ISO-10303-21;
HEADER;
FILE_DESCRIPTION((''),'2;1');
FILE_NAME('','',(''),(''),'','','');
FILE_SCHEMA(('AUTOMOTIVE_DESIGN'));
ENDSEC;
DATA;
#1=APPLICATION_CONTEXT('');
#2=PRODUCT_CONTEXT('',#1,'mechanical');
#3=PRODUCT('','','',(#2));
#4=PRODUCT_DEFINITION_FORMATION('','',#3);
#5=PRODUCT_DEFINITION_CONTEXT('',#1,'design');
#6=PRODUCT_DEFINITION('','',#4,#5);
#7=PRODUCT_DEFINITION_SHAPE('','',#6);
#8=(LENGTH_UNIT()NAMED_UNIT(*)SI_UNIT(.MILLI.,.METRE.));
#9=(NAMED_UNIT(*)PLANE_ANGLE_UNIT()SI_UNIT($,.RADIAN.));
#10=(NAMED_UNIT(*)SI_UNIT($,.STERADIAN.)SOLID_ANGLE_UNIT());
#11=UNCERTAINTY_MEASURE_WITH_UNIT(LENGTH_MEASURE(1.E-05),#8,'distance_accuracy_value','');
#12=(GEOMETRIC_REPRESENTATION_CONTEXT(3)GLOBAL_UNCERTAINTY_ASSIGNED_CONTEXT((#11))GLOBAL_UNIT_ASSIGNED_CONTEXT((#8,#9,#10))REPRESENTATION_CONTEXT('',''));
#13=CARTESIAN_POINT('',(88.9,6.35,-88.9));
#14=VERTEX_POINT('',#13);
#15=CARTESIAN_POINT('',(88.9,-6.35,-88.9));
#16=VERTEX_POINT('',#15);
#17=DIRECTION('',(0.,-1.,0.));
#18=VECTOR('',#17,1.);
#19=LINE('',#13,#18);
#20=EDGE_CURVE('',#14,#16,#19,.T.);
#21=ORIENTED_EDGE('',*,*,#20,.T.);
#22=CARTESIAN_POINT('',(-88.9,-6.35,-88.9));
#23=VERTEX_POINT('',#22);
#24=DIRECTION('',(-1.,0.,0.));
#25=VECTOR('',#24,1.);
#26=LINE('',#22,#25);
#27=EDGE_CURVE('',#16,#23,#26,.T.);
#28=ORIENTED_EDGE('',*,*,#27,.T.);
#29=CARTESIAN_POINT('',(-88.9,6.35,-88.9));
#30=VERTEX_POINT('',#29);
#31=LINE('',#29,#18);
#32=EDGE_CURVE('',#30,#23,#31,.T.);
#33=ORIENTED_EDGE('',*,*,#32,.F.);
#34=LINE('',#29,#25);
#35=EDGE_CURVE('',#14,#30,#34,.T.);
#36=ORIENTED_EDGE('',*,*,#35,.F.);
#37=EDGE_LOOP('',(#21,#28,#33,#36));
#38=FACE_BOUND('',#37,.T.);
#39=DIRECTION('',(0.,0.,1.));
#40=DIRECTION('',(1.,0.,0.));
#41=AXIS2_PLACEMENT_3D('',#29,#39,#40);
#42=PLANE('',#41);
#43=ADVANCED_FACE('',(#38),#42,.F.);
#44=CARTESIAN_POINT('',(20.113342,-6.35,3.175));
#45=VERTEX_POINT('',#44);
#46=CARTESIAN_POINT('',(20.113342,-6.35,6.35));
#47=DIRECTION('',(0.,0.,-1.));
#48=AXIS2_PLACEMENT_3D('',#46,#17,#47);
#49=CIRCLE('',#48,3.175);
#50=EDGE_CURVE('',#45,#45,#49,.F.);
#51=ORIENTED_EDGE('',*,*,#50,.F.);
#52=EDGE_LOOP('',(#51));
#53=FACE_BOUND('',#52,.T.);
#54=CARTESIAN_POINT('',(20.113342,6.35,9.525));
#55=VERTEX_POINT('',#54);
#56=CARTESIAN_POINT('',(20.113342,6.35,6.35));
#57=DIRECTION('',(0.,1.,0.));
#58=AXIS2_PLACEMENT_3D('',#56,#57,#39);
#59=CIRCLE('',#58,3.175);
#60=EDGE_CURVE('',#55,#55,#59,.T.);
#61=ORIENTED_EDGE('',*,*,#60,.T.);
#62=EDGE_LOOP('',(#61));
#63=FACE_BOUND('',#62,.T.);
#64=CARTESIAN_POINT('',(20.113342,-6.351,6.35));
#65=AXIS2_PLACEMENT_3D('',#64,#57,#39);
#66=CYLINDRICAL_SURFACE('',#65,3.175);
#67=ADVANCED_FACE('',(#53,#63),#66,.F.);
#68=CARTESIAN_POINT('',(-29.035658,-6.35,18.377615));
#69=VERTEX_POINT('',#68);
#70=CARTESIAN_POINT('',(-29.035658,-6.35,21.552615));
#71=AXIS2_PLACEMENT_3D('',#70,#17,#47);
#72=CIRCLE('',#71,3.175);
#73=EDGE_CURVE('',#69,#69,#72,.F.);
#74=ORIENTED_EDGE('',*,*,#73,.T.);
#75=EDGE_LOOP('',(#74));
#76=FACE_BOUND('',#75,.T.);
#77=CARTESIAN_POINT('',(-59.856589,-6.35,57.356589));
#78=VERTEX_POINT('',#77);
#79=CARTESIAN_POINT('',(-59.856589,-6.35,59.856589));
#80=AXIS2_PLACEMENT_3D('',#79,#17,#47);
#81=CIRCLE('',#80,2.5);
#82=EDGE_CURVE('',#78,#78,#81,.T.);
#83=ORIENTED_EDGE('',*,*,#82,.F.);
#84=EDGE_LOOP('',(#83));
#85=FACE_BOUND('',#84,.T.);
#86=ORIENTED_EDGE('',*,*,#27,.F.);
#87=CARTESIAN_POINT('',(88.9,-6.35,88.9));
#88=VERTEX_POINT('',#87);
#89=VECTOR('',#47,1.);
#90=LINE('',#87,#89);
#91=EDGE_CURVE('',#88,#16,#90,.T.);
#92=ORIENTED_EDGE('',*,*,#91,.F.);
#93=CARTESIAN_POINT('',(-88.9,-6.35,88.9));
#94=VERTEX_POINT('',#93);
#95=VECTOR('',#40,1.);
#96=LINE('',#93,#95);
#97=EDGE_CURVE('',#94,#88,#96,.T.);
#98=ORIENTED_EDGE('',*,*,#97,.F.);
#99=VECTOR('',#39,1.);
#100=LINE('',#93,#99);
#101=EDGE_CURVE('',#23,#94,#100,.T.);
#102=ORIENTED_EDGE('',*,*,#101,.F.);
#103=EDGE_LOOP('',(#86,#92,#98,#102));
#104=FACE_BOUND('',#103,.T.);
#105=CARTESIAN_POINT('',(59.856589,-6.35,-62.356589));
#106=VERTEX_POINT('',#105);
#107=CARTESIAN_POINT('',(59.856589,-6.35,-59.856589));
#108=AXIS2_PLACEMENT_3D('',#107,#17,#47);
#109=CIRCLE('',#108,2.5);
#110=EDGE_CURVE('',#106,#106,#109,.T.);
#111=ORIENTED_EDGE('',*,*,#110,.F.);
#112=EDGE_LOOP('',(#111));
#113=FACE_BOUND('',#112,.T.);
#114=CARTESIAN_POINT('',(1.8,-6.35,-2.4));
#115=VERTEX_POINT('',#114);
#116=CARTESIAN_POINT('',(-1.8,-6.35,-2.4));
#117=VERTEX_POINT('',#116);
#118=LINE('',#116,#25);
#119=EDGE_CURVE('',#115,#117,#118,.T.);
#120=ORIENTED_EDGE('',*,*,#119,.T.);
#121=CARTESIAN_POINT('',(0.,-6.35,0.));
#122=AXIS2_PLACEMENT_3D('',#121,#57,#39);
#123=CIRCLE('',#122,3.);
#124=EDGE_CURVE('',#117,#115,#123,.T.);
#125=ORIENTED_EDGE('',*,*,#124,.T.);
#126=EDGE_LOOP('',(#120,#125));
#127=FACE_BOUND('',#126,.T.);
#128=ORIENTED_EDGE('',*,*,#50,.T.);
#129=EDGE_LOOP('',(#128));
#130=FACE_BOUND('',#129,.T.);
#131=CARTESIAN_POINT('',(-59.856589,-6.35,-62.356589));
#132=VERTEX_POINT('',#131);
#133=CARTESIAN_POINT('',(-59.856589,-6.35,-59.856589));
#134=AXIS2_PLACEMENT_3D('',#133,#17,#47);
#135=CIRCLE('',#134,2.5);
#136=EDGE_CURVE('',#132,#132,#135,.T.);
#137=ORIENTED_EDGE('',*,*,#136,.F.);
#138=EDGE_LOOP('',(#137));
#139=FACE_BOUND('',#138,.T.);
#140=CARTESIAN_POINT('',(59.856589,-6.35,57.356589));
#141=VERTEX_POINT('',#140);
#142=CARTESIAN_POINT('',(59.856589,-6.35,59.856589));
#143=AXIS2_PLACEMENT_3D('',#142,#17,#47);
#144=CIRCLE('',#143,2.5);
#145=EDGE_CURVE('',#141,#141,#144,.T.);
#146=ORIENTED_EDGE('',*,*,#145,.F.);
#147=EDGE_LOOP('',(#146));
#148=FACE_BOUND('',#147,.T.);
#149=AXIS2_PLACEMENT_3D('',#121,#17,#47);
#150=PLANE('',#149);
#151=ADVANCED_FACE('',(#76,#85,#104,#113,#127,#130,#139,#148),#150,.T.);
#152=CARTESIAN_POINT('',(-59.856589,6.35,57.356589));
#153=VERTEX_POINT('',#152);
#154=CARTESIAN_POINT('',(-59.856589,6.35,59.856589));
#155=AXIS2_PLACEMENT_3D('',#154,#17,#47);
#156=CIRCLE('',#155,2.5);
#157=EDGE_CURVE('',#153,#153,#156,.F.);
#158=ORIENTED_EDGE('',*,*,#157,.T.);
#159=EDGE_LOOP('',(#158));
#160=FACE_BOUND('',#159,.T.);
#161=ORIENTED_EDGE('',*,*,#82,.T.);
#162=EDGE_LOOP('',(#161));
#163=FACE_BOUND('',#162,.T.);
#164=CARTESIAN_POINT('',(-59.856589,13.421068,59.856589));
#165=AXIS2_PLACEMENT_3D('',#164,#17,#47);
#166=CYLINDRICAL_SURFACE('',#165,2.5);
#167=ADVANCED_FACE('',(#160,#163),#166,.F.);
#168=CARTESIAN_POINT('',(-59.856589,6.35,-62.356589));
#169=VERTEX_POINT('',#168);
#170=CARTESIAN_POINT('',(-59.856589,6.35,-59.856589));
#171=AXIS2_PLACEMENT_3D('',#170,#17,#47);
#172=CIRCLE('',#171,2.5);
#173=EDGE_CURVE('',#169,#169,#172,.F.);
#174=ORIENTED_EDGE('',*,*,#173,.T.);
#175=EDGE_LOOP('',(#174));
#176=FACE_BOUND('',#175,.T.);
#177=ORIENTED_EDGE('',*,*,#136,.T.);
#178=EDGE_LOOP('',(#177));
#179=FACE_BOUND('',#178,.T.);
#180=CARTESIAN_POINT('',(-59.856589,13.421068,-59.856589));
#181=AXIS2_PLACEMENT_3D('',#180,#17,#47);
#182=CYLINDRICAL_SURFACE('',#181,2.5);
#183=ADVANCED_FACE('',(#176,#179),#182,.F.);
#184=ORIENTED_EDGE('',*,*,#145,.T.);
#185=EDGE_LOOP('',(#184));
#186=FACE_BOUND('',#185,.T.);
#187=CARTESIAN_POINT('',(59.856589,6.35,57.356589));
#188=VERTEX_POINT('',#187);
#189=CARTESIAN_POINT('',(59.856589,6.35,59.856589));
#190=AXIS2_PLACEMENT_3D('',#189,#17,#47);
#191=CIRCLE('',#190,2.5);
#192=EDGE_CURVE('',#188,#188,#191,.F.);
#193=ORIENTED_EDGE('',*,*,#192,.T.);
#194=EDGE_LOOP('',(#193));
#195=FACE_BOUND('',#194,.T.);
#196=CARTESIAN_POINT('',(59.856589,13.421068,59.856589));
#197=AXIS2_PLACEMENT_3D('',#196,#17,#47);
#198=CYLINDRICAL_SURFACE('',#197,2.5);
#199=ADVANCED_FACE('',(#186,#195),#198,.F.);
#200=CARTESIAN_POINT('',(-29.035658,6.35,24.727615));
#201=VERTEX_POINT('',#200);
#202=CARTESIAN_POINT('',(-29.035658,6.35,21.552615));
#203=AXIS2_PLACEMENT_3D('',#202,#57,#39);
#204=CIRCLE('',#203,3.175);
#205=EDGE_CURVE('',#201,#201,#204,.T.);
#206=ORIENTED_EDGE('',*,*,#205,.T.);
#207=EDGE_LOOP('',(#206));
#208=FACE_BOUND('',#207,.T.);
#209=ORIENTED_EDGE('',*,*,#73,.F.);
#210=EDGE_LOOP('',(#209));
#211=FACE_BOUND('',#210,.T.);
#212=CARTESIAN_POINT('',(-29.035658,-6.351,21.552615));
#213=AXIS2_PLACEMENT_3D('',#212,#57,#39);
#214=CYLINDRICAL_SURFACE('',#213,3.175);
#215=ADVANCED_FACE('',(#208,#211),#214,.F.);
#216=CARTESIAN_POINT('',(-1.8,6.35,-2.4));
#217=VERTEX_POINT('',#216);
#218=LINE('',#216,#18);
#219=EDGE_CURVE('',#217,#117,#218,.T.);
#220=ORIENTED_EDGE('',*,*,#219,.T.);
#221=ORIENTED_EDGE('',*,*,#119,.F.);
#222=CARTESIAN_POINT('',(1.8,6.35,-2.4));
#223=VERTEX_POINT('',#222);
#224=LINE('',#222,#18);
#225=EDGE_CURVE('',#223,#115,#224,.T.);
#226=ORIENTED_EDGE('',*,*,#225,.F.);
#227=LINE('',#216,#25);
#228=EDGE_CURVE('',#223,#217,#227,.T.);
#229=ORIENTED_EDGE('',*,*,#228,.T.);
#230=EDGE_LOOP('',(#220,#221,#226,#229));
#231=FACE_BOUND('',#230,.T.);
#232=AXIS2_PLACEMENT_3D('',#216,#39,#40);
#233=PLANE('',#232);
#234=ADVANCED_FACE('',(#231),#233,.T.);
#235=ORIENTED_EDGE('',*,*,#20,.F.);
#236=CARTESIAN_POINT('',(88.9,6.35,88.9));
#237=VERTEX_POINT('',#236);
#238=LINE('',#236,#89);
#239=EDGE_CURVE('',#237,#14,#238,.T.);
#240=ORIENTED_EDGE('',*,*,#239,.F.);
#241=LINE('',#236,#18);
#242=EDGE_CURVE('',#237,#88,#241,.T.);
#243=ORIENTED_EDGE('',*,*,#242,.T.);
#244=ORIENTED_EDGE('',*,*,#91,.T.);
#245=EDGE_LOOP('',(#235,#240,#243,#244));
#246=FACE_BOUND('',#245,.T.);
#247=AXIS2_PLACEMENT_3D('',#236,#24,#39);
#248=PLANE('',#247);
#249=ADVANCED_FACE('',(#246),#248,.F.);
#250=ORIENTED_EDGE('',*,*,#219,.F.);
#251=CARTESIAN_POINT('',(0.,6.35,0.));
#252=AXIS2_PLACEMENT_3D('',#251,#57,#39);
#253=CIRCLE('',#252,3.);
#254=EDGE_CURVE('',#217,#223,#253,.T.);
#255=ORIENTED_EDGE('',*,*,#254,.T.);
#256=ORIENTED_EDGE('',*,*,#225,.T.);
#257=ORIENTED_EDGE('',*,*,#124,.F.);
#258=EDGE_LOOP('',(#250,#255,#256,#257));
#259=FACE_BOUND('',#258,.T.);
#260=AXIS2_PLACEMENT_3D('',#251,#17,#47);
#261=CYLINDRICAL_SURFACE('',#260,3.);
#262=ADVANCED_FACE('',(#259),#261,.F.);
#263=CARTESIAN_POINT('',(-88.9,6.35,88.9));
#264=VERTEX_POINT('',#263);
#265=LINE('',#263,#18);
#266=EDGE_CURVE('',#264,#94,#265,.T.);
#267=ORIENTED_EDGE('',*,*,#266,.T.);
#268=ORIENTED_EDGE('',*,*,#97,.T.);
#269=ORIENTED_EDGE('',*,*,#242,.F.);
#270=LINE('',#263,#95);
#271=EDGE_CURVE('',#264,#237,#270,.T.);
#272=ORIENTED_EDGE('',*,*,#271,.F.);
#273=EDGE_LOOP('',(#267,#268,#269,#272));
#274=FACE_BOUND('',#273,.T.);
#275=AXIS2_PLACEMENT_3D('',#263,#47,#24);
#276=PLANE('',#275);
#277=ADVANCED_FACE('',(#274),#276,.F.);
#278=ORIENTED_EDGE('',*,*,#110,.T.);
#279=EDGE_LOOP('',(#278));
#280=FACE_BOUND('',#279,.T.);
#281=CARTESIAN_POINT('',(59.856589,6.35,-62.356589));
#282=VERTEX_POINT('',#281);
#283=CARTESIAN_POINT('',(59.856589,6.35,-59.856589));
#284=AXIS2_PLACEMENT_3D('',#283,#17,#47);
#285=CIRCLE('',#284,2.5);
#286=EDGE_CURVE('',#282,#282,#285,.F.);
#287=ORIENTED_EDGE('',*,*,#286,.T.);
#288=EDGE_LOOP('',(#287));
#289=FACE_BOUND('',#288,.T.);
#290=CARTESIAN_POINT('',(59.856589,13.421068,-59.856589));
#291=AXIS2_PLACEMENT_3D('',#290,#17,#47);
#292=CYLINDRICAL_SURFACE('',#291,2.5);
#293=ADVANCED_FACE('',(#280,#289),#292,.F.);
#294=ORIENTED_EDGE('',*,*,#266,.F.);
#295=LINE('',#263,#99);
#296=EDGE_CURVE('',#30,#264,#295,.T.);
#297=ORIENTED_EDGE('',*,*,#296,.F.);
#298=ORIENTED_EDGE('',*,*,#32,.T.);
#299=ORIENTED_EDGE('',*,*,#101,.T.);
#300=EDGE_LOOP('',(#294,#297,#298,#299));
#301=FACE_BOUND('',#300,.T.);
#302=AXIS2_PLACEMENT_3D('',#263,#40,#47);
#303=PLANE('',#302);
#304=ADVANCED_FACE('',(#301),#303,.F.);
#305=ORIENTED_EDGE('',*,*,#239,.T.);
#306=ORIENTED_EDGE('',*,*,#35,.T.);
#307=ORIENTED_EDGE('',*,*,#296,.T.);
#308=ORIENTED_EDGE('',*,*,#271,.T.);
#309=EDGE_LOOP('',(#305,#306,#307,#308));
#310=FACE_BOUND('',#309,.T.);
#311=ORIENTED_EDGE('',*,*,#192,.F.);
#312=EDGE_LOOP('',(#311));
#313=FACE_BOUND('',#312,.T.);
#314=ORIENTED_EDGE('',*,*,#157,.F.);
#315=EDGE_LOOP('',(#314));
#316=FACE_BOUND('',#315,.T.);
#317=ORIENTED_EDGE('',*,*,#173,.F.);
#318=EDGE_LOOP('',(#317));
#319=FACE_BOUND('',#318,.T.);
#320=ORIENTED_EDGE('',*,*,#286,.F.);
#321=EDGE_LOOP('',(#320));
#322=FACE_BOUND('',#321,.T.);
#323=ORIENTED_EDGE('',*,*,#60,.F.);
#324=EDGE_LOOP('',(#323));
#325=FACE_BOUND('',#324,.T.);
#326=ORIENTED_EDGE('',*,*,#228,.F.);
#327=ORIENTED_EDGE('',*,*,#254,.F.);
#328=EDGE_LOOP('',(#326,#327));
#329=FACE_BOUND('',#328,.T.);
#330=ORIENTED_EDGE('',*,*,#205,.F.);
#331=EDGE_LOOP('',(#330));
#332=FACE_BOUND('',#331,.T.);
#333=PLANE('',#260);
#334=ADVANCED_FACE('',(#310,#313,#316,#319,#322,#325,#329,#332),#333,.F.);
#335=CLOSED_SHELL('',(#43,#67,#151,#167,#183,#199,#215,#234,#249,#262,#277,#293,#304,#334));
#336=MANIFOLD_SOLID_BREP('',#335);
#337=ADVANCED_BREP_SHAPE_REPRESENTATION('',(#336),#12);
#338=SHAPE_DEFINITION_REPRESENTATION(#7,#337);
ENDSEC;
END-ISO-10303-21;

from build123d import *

# Parameters (mm, degrees)
SKETCH2_W           = 177.8
SKETCH2_H           = 177.8
BOSS_EXTRUDE1_DEPTH = 6.35
SKETCH3_R           = 2.5
CUT_EXTRUDE1_DEPTH  = 12.7
CUT_EXTRUDE2_REACH  = 128.363
SKETCH5_R           = 3.175


with BuildPart() as part:
    # Sketch2 → Boss-Extrude1 (new, symmetric)
    with BuildSketch(Plane(origin=(0, 0, 0), x_dir=(1, 0, 0), z_dir=(0, 1, 0))):
        Rectangle(SKETCH2_W, SKETCH2_H)
        with BuildLine():
            Line((-1.8, 2.4), (1.8, 2.4))
            ThreePointArc((1.8, 2.4), (0, -3), (-1.8, 2.4))
        make_face(mode=Mode.SUBTRACT)
    extrude(amount=BOSS_EXTRUDE1_DEPTH, both=True)

    # Sketch3 → Cut-Extrude1 (cut)
    with BuildSketch(Plane.XZ.offset(6.35)):
        with Locations(Location((-59.856589027, -59.856589027, 0), (0, 0, 270))):
            Circle(SKETCH3_R)
        with Locations(Location((59.856589027, -59.856589027, 0), (0, 0, 270))):
            Circle(SKETCH3_R)
        with Locations(Location((59.856589027, 59.856589027, 0), (0, 0, 270))):
            Circle(SKETCH3_R)
        with Locations(Location((-59.856589027, 59.856589027, 0), (0, 0, 270))):
            Circle(SKETCH3_R)
    extrude(amount=-CUT_EXTRUDE1_DEPTH, mode=Mode.SUBTRACT)

    # Sketch5 → Cut-Extrude2 (cut, up to next)
    with BuildSketch(Plane(origin=(0, 6.35, 0), x_dir=(1, 0, 0), z_dir=(0, 1, 0)), mode=Mode.PRIVATE) as cut_extrude2_sk1:
        with Locations(Location((20.113342208, -6.35, 0), (0, 0, 270))):
            Circle(SKETCH5_R)
    cut_extrude2_tool1 = extrude(cut_extrude2_sk1.sketch, amount=-CUT_EXTRUDE2_REACH, mode=Mode.PRIVATE) & part.part
    # Sketch5 → Cut-Extrude2 (cut, up to next)
    with BuildSketch(Plane(origin=(0, 6.35, 0), x_dir=(1, 0, 0), z_dir=(0, 1, 0)), mode=Mode.PRIVATE) as cut_extrude2_sk2:
        with Locations(Location((-29.035657792, -21.552614691, 0), (0, 0, 270))):
            Circle(SKETCH5_R)
    cut_extrude2_tool2 = extrude(cut_extrude2_sk2.sketch, amount=-CUT_EXTRUDE2_REACH, mode=Mode.PRIVATE) & part.part
    add(cut_extrude2_tool1.solids().sort_by_distance((20.113342, 6.35, 6.35))[0], mode=Mode.SUBTRACT)
    add(cut_extrude2_tool2.solids().sort_by_distance((-29.035658, 6.35, 21.552615))[0], mode=Mode.SUBTRACT)


solid = part.part
